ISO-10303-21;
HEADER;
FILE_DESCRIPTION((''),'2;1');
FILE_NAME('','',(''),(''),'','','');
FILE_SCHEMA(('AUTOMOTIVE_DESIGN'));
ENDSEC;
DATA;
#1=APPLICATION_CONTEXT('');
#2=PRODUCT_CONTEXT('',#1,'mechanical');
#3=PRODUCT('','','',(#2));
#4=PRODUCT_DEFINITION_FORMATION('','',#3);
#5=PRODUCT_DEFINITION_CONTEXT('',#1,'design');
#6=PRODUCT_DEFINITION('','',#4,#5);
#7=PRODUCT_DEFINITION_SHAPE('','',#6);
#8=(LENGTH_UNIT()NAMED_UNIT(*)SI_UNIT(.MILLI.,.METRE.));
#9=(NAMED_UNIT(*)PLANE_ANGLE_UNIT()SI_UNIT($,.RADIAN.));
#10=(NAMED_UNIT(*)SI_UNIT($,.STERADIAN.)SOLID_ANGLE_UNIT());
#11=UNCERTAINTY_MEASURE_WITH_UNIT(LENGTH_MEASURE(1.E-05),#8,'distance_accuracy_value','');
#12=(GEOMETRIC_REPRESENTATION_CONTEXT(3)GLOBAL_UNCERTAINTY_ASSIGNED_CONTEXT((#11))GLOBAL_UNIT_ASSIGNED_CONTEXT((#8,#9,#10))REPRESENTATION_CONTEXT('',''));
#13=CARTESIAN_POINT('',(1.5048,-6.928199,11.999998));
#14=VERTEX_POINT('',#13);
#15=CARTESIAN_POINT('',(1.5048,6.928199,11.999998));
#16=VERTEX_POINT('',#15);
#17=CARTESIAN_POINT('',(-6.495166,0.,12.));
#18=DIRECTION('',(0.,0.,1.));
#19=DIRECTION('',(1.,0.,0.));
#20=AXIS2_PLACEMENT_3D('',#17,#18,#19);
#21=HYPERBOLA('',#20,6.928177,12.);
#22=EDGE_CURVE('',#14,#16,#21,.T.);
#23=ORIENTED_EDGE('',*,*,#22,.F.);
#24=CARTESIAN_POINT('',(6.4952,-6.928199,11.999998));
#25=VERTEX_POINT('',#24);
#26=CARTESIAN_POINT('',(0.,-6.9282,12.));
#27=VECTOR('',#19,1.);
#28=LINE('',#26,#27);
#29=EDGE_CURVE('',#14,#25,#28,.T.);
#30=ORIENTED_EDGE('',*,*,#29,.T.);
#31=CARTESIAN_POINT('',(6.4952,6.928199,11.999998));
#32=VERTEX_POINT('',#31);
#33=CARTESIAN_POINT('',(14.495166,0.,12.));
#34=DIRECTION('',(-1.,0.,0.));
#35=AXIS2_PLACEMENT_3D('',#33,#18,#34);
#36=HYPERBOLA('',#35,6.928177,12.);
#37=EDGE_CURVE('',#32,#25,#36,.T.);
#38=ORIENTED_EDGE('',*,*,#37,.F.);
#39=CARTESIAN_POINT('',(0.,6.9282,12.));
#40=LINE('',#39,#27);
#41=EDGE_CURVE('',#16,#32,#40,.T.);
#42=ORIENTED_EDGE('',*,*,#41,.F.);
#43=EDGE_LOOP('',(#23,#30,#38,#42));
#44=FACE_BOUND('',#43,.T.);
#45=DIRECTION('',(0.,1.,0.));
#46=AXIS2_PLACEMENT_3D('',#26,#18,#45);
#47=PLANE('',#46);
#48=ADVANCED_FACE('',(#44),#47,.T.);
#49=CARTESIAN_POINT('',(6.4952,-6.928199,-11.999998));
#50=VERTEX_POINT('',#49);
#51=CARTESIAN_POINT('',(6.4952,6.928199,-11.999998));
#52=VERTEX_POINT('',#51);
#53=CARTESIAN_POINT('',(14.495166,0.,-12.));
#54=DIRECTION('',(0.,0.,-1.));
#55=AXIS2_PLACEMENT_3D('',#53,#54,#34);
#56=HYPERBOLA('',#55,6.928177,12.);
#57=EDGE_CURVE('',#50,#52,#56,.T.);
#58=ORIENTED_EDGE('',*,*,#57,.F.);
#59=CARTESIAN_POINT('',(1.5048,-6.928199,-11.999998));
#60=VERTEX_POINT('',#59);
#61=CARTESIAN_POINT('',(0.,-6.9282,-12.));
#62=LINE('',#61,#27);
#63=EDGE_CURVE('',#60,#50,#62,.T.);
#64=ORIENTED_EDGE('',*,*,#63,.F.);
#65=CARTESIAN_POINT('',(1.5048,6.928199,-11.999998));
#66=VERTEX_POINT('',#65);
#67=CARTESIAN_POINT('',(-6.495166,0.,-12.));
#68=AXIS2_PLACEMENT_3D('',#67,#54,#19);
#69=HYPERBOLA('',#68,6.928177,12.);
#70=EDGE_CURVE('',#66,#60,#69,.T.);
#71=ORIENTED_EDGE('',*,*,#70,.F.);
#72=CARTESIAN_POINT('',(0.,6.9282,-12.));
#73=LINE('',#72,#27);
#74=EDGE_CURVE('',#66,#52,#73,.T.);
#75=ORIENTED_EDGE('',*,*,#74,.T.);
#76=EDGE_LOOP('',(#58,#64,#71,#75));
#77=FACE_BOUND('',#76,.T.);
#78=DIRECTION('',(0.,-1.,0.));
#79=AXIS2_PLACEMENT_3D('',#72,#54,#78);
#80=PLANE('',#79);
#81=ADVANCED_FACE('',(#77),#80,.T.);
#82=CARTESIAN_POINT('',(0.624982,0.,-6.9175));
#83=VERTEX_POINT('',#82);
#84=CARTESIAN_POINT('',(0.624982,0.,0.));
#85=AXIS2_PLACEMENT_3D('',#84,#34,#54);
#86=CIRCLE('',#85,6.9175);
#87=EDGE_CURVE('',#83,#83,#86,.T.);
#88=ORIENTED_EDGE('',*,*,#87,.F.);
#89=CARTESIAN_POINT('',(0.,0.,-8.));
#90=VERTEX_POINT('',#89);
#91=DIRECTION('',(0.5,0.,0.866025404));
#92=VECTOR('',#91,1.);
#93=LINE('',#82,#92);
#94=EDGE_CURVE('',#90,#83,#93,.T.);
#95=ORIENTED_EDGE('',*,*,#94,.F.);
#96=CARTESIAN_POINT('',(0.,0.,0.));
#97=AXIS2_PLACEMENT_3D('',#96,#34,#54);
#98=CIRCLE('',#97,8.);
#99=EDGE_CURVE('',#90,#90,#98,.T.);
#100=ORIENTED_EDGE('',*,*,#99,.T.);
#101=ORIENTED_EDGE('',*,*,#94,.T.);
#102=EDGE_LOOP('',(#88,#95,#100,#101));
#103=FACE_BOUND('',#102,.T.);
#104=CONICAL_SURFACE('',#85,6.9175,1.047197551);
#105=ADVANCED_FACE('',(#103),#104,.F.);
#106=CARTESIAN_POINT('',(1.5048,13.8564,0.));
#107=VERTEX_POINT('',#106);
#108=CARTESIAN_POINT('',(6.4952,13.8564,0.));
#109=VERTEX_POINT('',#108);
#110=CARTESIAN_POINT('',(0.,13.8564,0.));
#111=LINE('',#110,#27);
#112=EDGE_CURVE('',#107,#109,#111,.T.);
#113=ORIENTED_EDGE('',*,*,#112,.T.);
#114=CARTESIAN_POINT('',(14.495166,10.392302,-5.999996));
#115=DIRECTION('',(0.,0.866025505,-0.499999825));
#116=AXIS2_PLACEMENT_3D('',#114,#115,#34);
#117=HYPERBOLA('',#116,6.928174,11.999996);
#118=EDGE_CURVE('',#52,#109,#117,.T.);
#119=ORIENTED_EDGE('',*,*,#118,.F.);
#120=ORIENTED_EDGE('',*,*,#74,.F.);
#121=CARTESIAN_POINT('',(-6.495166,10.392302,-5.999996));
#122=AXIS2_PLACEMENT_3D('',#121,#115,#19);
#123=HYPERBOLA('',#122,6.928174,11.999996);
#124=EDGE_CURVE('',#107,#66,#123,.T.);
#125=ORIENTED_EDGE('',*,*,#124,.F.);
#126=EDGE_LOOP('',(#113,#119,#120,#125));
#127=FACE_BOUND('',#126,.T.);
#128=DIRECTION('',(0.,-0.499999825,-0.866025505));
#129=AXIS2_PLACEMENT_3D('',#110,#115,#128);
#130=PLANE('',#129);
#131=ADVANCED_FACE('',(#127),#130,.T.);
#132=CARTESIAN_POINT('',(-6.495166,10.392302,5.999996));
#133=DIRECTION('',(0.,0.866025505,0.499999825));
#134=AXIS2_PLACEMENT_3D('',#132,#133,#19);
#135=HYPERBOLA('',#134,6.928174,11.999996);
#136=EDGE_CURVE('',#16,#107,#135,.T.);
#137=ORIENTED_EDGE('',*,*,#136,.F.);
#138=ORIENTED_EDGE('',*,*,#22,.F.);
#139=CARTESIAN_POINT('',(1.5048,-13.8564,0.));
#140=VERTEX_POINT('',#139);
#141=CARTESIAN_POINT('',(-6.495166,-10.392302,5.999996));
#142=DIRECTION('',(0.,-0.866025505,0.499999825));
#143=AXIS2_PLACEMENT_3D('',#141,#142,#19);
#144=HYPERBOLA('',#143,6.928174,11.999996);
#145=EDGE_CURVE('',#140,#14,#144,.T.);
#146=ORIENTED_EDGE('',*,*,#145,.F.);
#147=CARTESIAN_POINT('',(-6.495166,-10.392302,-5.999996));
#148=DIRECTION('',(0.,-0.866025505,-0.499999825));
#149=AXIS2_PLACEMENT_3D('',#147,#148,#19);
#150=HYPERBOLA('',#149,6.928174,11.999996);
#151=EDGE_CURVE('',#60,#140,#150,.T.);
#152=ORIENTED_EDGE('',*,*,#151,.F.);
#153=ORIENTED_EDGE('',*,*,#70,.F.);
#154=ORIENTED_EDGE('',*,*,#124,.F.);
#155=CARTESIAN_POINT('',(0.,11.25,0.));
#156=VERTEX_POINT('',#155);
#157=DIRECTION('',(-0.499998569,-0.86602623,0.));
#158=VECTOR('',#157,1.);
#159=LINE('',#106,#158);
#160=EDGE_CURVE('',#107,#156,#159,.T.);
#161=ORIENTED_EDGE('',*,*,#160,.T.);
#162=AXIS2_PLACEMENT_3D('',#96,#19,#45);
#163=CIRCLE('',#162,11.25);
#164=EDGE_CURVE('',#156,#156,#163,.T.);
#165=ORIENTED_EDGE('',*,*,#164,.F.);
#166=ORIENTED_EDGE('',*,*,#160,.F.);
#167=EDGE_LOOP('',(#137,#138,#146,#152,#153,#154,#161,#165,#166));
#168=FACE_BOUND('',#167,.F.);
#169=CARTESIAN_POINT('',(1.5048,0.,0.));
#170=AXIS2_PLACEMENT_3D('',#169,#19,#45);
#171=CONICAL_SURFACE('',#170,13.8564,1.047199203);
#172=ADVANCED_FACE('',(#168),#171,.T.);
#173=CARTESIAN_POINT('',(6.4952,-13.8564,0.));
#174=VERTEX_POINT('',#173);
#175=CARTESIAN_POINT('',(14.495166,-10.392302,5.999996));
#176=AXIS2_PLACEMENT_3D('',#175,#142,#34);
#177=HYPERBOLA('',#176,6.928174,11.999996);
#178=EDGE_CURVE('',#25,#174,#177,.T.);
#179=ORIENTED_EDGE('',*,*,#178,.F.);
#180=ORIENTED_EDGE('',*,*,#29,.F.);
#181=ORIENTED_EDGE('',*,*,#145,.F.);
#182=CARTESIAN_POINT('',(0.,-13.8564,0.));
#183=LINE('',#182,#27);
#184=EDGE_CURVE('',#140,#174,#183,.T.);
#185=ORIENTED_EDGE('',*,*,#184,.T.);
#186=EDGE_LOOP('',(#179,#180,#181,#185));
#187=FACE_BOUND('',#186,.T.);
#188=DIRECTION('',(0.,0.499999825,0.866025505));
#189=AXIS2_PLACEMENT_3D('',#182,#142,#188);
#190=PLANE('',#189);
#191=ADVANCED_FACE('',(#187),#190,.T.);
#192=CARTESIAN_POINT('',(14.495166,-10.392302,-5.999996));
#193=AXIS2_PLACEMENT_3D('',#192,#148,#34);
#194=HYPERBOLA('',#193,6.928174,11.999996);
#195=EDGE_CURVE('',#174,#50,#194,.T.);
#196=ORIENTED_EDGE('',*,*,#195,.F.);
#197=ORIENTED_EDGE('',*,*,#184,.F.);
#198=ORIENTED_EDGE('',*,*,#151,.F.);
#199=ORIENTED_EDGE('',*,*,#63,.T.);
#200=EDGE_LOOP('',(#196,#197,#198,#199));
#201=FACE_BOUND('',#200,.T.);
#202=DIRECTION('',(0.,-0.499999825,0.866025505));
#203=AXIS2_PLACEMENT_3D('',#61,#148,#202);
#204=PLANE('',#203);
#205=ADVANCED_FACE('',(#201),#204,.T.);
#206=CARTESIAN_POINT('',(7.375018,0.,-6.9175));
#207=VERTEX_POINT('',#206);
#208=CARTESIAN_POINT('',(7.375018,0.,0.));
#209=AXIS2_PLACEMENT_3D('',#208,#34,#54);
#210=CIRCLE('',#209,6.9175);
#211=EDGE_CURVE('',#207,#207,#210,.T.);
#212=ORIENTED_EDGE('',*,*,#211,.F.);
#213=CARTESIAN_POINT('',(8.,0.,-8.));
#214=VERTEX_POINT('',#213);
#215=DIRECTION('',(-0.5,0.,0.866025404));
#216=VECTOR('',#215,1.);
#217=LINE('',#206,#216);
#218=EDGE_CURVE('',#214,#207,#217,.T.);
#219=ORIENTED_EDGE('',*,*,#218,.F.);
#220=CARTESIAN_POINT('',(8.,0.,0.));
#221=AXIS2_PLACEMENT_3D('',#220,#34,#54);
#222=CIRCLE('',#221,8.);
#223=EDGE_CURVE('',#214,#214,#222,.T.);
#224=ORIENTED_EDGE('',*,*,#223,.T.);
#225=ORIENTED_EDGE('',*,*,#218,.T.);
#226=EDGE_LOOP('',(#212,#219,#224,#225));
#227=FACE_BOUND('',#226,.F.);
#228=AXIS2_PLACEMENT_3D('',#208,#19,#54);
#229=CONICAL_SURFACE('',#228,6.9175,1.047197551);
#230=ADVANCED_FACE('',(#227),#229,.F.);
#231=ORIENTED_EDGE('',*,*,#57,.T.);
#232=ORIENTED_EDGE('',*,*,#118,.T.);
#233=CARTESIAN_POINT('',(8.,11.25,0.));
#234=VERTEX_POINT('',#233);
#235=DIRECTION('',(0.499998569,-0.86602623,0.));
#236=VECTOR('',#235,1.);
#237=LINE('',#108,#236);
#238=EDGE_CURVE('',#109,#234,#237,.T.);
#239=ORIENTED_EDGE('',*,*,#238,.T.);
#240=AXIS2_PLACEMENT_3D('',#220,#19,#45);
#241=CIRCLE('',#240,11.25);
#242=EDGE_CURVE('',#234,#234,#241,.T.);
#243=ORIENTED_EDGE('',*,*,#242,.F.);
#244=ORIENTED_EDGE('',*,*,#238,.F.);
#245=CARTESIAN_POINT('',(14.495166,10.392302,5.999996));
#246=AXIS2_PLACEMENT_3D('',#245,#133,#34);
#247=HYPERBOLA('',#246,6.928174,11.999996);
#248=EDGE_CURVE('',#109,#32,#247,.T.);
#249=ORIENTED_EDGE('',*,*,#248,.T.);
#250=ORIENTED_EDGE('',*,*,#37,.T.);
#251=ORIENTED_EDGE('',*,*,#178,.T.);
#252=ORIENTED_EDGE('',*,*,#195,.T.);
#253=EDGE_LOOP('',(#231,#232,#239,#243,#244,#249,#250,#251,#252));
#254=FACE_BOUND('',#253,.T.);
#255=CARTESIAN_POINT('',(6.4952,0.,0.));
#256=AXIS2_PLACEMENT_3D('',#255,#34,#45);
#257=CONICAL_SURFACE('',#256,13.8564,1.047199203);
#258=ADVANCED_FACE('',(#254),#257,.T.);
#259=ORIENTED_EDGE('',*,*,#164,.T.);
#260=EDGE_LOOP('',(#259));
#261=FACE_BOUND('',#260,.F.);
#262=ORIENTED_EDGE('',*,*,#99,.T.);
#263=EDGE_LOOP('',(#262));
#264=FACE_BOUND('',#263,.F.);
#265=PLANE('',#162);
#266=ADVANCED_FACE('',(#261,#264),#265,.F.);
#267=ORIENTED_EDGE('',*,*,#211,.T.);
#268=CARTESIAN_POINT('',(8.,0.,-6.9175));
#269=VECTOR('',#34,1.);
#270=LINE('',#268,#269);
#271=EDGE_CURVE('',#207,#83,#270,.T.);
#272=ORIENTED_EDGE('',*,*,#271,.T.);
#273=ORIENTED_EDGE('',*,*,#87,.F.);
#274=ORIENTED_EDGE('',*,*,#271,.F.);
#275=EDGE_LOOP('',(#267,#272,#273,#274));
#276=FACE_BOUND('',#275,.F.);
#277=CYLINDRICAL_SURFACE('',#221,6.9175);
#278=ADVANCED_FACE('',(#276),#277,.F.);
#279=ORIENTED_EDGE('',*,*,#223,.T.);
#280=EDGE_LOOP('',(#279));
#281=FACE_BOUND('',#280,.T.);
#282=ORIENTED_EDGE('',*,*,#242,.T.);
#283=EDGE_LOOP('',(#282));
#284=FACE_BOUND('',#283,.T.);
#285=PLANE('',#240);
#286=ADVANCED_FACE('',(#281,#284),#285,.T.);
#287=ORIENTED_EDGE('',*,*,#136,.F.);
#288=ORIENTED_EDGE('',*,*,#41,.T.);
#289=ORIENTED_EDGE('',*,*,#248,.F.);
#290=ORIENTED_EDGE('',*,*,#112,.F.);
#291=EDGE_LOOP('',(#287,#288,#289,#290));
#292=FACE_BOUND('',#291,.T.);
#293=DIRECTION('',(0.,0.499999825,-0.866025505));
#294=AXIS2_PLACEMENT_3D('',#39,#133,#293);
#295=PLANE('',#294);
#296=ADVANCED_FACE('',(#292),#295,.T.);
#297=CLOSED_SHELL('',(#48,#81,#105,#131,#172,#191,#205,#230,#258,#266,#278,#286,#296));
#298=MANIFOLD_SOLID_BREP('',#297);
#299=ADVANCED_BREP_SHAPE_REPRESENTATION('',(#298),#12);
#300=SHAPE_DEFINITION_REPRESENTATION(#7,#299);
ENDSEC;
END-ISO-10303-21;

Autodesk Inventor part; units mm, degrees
ref_plane "YZ Plane" through (0, 0, 0) normal (1, 0, 0) x (0, 1, 0)
ref_plane "XZ Plane" through (0, 0, 0) normal (0, 1, 0) x (-1, 0, 0)
sketch "Эскиз1" plane through (0, 0, 0) normal (1, 0, 0) x (0, 1, 0)
  line L0 (-13.8564, 0) -> (-6.9282, 12)
  line L1 (-6.9282, 12) -> (6.9282, 12)
  line L2 (6.9282, 12) -> (13.8564, 0)
  line L3 (13.8564, 0) -> (6.9282, -12)
  line L4 (6.9282, -12) -> (-6.9282, -12)
  line L5 (-6.9282, -12) -> (-13.8564, 0)
  point P0 (0, 0)
  point P1 (0, 0)
  dimension "d0" = 27.7128
extrude "Базовый элемент" add sketch "Эскиз1" along normal blind 8
sketch "Эскиз2" plane through (0, 0, 0) normal (0, 0, 1) x (1, 0, 0)
  line L0 (0, 6.9282) -> (0, 13.8564) projected
  line L1 (0, 13.8564) -> (8, 13.8564) projected
  line L2 (8, 6.9282) -> (8, 13.8564) projected
  line L3 (-1.6, 0) -> (9.6, 0) projected
  line L4 (1.5048, 13.8564) -> (0, 11.25)
  line L5 (6.4952, 13.8564) -> (8, 11.25)
  dimension "d3" = 30
  dimension "d4" = 30
  dimension "d5" = 22.5
  dimension "d6" = 22.5
revolve "Фаска1" cut sketch "Эскиз2" angle 360 about axis through (-10, 0, 0) along (1, 0, 0)
sketch "Эскиз3" plane through (8, 0, 0) normal (1, 0, 0) x (0, 0, -1)
  arc A0 (-0.625, -1.0825) -> (0.625, -1.0825) centre (0, 0) ccw projected
hole "Резьба" at (8, 0, 0) direction (-1, 0, 0) diameter 13.835 end through all thread size "M16x2" class "6H" standard "ISO Metric profile"
chamfer "Фаска2" distance 1.0825 angle 30 1 edges at (8, 0, 6.9175) measured on face at (8, 9.6801, -1.1754)
chamfer "Фаска3" distance 1.0825 angle 30 1 edges at (0, 0, 6.9175) measured on face at (0, 9.6801, -1.1754)
ref_plane "Work Plane1" through (-29.7469, 0, 0) normal (0, -0.866, -0.5) x (1, 0, 0)
equation "\"d0\" = 1.1547 * SW"
equation "\"d1\" = KOH"
equation "\"d3\" = ANG1"
equation "\"d4\" = ANG2"
equation "\"d5\" = SW0"
equation "\"d6\" = SW01"
equation "\"d8\" = -0.5 * GD1 + 0.5 * NND"
equation "\"d40\" = -0.5 * GD1 + 0.5 * NND"
equation "\"d10\" = -0.5 * GD1 + 0.5 * NND"
equation "\"d41\" = -0.5 * GD1 + 0.5 * NND"
equation "\"ANG1\" = 30deg"
equation "\"ANG2\" = 30deg"
equation "\"NND\" = 16"
equation "\"KOH\" = 8"
equation "\"SW\" = 24"
equation "\"SW0\" = 22.5"
equation "\"SW01\" = SW0"
equation "\"GUL\" = 0.541266 * PTC"
equation "\"LADI\" = 0"
equation "\"TOA\" = 30deg"
equation "\"FAWI\" = 30deg"
equation "\"PTC\" = 2"
equation "\"THREADDIA\" = 16"
equation "\"E0\" = 1.155 * SW"
equation "\"GAL\" = 0.541266 * PTC"
equation "\"GD1\" = 13.834936"
properties part number "M16-6H ГОСТ 4035-2014" material "Сталь, мягкая"
